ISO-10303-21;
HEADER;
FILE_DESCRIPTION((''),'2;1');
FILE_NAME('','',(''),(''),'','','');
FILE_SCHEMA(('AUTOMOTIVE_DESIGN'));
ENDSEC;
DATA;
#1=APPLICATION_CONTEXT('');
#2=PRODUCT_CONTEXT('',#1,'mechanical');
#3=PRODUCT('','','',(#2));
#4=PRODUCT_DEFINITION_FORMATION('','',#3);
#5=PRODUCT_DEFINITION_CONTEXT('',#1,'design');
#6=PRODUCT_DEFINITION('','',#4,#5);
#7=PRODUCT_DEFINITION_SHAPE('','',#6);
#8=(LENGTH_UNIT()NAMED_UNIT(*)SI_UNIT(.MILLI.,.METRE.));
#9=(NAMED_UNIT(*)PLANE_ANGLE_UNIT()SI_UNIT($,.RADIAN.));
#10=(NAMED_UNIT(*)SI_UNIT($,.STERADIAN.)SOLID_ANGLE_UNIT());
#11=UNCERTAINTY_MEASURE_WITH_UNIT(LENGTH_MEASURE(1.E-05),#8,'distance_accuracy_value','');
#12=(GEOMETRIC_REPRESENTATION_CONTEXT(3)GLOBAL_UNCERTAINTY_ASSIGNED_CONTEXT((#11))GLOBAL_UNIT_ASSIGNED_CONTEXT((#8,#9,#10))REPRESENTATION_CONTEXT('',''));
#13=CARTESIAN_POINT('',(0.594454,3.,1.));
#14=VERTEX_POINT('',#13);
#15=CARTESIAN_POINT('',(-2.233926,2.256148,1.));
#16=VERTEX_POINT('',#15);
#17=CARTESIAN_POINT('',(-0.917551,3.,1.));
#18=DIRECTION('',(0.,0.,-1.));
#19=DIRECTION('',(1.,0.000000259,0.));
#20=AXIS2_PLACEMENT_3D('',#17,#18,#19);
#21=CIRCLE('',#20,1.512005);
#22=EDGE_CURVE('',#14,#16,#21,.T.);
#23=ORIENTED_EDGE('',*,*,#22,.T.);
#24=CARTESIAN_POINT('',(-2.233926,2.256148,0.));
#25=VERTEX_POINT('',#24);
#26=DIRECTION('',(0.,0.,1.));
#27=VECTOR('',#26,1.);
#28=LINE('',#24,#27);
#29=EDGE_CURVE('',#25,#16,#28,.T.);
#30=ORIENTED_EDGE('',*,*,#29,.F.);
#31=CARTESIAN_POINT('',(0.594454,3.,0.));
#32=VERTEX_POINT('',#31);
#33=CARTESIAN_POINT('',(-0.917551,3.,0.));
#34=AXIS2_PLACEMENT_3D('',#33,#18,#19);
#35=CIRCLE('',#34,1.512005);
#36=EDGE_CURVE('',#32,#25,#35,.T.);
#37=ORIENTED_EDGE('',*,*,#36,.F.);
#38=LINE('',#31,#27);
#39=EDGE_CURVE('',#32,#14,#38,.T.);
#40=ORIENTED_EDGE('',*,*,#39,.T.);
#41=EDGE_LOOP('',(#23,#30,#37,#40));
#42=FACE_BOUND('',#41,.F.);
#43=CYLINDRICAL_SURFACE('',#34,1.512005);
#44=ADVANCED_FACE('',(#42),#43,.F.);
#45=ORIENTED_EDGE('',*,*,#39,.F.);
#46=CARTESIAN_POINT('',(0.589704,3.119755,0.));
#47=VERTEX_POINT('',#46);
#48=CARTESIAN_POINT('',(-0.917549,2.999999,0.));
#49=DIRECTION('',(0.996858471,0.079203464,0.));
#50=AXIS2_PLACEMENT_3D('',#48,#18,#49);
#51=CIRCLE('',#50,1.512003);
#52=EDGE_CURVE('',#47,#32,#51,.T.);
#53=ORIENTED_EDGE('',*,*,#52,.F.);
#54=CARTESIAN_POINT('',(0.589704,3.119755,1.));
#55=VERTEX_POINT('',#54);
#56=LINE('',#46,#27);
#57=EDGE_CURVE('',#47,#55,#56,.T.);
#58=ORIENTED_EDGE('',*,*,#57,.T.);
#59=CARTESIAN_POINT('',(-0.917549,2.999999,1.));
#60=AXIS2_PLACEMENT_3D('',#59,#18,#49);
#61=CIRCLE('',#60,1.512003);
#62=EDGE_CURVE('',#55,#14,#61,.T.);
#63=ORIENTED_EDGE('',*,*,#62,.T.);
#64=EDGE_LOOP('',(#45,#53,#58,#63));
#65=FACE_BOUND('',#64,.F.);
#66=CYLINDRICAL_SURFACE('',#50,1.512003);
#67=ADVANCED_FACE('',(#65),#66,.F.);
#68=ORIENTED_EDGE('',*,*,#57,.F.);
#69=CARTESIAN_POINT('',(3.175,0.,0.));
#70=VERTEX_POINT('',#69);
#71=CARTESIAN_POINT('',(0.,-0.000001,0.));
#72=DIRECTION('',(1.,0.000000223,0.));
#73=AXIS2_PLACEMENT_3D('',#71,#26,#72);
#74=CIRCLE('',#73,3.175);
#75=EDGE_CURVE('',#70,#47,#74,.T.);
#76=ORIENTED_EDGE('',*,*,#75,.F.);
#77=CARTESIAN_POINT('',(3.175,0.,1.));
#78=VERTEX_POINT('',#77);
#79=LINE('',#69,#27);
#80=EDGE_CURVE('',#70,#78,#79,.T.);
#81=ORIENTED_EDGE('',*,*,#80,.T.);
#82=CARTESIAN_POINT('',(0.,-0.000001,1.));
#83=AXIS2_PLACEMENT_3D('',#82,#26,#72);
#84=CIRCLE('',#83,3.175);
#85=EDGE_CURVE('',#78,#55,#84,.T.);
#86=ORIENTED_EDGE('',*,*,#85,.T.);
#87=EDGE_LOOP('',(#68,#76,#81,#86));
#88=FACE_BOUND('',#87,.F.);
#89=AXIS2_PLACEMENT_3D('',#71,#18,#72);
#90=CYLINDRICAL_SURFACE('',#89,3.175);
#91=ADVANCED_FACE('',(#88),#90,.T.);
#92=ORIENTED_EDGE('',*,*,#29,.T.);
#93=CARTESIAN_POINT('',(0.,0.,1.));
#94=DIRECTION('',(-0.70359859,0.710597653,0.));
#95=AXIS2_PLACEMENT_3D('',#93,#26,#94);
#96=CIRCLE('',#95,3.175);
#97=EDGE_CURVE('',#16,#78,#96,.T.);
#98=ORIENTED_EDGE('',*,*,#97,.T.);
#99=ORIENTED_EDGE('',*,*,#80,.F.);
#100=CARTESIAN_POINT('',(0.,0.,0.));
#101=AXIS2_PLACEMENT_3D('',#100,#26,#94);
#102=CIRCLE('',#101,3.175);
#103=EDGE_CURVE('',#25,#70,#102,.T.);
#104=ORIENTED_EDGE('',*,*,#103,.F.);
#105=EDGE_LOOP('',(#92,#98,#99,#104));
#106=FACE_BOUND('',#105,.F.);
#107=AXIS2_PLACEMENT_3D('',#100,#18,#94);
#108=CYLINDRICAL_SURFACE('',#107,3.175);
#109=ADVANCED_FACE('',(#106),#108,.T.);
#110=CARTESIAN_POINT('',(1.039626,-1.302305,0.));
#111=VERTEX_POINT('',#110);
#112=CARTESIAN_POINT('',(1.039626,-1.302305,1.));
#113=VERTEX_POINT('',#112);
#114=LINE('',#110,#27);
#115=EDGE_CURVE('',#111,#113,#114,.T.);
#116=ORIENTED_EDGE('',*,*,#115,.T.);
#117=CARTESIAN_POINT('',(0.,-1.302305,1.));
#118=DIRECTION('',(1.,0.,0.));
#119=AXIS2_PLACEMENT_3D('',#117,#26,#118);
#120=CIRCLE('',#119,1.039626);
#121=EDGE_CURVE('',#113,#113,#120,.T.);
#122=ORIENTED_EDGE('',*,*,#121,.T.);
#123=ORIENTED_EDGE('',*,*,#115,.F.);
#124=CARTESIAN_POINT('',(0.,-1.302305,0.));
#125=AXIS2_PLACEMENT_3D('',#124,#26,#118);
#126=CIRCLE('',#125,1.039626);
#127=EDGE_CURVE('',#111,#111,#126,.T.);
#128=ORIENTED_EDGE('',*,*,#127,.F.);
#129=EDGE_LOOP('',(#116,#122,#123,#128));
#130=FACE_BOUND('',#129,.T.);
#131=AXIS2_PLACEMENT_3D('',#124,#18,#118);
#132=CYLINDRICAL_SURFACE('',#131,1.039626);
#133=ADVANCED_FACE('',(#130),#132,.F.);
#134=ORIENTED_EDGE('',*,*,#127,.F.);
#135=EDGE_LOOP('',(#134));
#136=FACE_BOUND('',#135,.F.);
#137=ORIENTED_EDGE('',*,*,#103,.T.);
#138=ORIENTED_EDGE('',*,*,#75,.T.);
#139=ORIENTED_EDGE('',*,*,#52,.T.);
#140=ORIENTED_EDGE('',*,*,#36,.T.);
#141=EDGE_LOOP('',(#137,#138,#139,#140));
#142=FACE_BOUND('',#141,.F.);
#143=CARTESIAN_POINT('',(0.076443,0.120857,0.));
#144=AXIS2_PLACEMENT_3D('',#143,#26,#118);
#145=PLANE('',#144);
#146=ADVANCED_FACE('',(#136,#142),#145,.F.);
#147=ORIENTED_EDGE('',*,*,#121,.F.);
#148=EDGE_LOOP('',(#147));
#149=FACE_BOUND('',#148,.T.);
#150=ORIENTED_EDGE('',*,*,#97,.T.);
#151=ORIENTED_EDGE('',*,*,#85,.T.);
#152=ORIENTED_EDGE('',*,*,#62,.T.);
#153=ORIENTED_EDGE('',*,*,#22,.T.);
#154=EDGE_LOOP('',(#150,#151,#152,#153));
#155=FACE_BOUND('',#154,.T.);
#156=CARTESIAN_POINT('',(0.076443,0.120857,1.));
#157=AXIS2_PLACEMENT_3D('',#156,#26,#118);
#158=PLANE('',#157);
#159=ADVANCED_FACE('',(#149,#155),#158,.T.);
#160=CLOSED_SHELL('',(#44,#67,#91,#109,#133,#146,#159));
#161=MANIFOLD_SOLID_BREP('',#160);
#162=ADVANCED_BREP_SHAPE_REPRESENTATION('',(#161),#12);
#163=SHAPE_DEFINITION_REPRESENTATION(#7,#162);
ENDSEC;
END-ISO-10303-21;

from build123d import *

# Parameters (mm, degrees)
F0_R     = 1.039626
F1_DEPTH = 1


with BuildPart() as f1:
    # F0 (on Top) → F1 (new body)
    with BuildSketch(Plane.XY):
        with BuildLine():
            ThreePointArc((-2.233926, 2.256148), (-1.222275, -2.930302), (3.175, 0))
            ThreePointArc((3.175, 0), (2.444681, 2.025872), (0.589704, 3.119755))
            ThreePointArc((0.589704, 3.119755), (0.593266, 3.059925), (0.594454, 3))
            ThreePointArc((0.594454, 3), (-0.532977, 1.53772), (-2.233926, 2.256148))
        make_face()
        with Locations((0, -1.302305)):
            Circle(F0_R, mode=Mode.SUBTRACT)
    extrude(amount=F1_DEPTH)


solid = f1.part
